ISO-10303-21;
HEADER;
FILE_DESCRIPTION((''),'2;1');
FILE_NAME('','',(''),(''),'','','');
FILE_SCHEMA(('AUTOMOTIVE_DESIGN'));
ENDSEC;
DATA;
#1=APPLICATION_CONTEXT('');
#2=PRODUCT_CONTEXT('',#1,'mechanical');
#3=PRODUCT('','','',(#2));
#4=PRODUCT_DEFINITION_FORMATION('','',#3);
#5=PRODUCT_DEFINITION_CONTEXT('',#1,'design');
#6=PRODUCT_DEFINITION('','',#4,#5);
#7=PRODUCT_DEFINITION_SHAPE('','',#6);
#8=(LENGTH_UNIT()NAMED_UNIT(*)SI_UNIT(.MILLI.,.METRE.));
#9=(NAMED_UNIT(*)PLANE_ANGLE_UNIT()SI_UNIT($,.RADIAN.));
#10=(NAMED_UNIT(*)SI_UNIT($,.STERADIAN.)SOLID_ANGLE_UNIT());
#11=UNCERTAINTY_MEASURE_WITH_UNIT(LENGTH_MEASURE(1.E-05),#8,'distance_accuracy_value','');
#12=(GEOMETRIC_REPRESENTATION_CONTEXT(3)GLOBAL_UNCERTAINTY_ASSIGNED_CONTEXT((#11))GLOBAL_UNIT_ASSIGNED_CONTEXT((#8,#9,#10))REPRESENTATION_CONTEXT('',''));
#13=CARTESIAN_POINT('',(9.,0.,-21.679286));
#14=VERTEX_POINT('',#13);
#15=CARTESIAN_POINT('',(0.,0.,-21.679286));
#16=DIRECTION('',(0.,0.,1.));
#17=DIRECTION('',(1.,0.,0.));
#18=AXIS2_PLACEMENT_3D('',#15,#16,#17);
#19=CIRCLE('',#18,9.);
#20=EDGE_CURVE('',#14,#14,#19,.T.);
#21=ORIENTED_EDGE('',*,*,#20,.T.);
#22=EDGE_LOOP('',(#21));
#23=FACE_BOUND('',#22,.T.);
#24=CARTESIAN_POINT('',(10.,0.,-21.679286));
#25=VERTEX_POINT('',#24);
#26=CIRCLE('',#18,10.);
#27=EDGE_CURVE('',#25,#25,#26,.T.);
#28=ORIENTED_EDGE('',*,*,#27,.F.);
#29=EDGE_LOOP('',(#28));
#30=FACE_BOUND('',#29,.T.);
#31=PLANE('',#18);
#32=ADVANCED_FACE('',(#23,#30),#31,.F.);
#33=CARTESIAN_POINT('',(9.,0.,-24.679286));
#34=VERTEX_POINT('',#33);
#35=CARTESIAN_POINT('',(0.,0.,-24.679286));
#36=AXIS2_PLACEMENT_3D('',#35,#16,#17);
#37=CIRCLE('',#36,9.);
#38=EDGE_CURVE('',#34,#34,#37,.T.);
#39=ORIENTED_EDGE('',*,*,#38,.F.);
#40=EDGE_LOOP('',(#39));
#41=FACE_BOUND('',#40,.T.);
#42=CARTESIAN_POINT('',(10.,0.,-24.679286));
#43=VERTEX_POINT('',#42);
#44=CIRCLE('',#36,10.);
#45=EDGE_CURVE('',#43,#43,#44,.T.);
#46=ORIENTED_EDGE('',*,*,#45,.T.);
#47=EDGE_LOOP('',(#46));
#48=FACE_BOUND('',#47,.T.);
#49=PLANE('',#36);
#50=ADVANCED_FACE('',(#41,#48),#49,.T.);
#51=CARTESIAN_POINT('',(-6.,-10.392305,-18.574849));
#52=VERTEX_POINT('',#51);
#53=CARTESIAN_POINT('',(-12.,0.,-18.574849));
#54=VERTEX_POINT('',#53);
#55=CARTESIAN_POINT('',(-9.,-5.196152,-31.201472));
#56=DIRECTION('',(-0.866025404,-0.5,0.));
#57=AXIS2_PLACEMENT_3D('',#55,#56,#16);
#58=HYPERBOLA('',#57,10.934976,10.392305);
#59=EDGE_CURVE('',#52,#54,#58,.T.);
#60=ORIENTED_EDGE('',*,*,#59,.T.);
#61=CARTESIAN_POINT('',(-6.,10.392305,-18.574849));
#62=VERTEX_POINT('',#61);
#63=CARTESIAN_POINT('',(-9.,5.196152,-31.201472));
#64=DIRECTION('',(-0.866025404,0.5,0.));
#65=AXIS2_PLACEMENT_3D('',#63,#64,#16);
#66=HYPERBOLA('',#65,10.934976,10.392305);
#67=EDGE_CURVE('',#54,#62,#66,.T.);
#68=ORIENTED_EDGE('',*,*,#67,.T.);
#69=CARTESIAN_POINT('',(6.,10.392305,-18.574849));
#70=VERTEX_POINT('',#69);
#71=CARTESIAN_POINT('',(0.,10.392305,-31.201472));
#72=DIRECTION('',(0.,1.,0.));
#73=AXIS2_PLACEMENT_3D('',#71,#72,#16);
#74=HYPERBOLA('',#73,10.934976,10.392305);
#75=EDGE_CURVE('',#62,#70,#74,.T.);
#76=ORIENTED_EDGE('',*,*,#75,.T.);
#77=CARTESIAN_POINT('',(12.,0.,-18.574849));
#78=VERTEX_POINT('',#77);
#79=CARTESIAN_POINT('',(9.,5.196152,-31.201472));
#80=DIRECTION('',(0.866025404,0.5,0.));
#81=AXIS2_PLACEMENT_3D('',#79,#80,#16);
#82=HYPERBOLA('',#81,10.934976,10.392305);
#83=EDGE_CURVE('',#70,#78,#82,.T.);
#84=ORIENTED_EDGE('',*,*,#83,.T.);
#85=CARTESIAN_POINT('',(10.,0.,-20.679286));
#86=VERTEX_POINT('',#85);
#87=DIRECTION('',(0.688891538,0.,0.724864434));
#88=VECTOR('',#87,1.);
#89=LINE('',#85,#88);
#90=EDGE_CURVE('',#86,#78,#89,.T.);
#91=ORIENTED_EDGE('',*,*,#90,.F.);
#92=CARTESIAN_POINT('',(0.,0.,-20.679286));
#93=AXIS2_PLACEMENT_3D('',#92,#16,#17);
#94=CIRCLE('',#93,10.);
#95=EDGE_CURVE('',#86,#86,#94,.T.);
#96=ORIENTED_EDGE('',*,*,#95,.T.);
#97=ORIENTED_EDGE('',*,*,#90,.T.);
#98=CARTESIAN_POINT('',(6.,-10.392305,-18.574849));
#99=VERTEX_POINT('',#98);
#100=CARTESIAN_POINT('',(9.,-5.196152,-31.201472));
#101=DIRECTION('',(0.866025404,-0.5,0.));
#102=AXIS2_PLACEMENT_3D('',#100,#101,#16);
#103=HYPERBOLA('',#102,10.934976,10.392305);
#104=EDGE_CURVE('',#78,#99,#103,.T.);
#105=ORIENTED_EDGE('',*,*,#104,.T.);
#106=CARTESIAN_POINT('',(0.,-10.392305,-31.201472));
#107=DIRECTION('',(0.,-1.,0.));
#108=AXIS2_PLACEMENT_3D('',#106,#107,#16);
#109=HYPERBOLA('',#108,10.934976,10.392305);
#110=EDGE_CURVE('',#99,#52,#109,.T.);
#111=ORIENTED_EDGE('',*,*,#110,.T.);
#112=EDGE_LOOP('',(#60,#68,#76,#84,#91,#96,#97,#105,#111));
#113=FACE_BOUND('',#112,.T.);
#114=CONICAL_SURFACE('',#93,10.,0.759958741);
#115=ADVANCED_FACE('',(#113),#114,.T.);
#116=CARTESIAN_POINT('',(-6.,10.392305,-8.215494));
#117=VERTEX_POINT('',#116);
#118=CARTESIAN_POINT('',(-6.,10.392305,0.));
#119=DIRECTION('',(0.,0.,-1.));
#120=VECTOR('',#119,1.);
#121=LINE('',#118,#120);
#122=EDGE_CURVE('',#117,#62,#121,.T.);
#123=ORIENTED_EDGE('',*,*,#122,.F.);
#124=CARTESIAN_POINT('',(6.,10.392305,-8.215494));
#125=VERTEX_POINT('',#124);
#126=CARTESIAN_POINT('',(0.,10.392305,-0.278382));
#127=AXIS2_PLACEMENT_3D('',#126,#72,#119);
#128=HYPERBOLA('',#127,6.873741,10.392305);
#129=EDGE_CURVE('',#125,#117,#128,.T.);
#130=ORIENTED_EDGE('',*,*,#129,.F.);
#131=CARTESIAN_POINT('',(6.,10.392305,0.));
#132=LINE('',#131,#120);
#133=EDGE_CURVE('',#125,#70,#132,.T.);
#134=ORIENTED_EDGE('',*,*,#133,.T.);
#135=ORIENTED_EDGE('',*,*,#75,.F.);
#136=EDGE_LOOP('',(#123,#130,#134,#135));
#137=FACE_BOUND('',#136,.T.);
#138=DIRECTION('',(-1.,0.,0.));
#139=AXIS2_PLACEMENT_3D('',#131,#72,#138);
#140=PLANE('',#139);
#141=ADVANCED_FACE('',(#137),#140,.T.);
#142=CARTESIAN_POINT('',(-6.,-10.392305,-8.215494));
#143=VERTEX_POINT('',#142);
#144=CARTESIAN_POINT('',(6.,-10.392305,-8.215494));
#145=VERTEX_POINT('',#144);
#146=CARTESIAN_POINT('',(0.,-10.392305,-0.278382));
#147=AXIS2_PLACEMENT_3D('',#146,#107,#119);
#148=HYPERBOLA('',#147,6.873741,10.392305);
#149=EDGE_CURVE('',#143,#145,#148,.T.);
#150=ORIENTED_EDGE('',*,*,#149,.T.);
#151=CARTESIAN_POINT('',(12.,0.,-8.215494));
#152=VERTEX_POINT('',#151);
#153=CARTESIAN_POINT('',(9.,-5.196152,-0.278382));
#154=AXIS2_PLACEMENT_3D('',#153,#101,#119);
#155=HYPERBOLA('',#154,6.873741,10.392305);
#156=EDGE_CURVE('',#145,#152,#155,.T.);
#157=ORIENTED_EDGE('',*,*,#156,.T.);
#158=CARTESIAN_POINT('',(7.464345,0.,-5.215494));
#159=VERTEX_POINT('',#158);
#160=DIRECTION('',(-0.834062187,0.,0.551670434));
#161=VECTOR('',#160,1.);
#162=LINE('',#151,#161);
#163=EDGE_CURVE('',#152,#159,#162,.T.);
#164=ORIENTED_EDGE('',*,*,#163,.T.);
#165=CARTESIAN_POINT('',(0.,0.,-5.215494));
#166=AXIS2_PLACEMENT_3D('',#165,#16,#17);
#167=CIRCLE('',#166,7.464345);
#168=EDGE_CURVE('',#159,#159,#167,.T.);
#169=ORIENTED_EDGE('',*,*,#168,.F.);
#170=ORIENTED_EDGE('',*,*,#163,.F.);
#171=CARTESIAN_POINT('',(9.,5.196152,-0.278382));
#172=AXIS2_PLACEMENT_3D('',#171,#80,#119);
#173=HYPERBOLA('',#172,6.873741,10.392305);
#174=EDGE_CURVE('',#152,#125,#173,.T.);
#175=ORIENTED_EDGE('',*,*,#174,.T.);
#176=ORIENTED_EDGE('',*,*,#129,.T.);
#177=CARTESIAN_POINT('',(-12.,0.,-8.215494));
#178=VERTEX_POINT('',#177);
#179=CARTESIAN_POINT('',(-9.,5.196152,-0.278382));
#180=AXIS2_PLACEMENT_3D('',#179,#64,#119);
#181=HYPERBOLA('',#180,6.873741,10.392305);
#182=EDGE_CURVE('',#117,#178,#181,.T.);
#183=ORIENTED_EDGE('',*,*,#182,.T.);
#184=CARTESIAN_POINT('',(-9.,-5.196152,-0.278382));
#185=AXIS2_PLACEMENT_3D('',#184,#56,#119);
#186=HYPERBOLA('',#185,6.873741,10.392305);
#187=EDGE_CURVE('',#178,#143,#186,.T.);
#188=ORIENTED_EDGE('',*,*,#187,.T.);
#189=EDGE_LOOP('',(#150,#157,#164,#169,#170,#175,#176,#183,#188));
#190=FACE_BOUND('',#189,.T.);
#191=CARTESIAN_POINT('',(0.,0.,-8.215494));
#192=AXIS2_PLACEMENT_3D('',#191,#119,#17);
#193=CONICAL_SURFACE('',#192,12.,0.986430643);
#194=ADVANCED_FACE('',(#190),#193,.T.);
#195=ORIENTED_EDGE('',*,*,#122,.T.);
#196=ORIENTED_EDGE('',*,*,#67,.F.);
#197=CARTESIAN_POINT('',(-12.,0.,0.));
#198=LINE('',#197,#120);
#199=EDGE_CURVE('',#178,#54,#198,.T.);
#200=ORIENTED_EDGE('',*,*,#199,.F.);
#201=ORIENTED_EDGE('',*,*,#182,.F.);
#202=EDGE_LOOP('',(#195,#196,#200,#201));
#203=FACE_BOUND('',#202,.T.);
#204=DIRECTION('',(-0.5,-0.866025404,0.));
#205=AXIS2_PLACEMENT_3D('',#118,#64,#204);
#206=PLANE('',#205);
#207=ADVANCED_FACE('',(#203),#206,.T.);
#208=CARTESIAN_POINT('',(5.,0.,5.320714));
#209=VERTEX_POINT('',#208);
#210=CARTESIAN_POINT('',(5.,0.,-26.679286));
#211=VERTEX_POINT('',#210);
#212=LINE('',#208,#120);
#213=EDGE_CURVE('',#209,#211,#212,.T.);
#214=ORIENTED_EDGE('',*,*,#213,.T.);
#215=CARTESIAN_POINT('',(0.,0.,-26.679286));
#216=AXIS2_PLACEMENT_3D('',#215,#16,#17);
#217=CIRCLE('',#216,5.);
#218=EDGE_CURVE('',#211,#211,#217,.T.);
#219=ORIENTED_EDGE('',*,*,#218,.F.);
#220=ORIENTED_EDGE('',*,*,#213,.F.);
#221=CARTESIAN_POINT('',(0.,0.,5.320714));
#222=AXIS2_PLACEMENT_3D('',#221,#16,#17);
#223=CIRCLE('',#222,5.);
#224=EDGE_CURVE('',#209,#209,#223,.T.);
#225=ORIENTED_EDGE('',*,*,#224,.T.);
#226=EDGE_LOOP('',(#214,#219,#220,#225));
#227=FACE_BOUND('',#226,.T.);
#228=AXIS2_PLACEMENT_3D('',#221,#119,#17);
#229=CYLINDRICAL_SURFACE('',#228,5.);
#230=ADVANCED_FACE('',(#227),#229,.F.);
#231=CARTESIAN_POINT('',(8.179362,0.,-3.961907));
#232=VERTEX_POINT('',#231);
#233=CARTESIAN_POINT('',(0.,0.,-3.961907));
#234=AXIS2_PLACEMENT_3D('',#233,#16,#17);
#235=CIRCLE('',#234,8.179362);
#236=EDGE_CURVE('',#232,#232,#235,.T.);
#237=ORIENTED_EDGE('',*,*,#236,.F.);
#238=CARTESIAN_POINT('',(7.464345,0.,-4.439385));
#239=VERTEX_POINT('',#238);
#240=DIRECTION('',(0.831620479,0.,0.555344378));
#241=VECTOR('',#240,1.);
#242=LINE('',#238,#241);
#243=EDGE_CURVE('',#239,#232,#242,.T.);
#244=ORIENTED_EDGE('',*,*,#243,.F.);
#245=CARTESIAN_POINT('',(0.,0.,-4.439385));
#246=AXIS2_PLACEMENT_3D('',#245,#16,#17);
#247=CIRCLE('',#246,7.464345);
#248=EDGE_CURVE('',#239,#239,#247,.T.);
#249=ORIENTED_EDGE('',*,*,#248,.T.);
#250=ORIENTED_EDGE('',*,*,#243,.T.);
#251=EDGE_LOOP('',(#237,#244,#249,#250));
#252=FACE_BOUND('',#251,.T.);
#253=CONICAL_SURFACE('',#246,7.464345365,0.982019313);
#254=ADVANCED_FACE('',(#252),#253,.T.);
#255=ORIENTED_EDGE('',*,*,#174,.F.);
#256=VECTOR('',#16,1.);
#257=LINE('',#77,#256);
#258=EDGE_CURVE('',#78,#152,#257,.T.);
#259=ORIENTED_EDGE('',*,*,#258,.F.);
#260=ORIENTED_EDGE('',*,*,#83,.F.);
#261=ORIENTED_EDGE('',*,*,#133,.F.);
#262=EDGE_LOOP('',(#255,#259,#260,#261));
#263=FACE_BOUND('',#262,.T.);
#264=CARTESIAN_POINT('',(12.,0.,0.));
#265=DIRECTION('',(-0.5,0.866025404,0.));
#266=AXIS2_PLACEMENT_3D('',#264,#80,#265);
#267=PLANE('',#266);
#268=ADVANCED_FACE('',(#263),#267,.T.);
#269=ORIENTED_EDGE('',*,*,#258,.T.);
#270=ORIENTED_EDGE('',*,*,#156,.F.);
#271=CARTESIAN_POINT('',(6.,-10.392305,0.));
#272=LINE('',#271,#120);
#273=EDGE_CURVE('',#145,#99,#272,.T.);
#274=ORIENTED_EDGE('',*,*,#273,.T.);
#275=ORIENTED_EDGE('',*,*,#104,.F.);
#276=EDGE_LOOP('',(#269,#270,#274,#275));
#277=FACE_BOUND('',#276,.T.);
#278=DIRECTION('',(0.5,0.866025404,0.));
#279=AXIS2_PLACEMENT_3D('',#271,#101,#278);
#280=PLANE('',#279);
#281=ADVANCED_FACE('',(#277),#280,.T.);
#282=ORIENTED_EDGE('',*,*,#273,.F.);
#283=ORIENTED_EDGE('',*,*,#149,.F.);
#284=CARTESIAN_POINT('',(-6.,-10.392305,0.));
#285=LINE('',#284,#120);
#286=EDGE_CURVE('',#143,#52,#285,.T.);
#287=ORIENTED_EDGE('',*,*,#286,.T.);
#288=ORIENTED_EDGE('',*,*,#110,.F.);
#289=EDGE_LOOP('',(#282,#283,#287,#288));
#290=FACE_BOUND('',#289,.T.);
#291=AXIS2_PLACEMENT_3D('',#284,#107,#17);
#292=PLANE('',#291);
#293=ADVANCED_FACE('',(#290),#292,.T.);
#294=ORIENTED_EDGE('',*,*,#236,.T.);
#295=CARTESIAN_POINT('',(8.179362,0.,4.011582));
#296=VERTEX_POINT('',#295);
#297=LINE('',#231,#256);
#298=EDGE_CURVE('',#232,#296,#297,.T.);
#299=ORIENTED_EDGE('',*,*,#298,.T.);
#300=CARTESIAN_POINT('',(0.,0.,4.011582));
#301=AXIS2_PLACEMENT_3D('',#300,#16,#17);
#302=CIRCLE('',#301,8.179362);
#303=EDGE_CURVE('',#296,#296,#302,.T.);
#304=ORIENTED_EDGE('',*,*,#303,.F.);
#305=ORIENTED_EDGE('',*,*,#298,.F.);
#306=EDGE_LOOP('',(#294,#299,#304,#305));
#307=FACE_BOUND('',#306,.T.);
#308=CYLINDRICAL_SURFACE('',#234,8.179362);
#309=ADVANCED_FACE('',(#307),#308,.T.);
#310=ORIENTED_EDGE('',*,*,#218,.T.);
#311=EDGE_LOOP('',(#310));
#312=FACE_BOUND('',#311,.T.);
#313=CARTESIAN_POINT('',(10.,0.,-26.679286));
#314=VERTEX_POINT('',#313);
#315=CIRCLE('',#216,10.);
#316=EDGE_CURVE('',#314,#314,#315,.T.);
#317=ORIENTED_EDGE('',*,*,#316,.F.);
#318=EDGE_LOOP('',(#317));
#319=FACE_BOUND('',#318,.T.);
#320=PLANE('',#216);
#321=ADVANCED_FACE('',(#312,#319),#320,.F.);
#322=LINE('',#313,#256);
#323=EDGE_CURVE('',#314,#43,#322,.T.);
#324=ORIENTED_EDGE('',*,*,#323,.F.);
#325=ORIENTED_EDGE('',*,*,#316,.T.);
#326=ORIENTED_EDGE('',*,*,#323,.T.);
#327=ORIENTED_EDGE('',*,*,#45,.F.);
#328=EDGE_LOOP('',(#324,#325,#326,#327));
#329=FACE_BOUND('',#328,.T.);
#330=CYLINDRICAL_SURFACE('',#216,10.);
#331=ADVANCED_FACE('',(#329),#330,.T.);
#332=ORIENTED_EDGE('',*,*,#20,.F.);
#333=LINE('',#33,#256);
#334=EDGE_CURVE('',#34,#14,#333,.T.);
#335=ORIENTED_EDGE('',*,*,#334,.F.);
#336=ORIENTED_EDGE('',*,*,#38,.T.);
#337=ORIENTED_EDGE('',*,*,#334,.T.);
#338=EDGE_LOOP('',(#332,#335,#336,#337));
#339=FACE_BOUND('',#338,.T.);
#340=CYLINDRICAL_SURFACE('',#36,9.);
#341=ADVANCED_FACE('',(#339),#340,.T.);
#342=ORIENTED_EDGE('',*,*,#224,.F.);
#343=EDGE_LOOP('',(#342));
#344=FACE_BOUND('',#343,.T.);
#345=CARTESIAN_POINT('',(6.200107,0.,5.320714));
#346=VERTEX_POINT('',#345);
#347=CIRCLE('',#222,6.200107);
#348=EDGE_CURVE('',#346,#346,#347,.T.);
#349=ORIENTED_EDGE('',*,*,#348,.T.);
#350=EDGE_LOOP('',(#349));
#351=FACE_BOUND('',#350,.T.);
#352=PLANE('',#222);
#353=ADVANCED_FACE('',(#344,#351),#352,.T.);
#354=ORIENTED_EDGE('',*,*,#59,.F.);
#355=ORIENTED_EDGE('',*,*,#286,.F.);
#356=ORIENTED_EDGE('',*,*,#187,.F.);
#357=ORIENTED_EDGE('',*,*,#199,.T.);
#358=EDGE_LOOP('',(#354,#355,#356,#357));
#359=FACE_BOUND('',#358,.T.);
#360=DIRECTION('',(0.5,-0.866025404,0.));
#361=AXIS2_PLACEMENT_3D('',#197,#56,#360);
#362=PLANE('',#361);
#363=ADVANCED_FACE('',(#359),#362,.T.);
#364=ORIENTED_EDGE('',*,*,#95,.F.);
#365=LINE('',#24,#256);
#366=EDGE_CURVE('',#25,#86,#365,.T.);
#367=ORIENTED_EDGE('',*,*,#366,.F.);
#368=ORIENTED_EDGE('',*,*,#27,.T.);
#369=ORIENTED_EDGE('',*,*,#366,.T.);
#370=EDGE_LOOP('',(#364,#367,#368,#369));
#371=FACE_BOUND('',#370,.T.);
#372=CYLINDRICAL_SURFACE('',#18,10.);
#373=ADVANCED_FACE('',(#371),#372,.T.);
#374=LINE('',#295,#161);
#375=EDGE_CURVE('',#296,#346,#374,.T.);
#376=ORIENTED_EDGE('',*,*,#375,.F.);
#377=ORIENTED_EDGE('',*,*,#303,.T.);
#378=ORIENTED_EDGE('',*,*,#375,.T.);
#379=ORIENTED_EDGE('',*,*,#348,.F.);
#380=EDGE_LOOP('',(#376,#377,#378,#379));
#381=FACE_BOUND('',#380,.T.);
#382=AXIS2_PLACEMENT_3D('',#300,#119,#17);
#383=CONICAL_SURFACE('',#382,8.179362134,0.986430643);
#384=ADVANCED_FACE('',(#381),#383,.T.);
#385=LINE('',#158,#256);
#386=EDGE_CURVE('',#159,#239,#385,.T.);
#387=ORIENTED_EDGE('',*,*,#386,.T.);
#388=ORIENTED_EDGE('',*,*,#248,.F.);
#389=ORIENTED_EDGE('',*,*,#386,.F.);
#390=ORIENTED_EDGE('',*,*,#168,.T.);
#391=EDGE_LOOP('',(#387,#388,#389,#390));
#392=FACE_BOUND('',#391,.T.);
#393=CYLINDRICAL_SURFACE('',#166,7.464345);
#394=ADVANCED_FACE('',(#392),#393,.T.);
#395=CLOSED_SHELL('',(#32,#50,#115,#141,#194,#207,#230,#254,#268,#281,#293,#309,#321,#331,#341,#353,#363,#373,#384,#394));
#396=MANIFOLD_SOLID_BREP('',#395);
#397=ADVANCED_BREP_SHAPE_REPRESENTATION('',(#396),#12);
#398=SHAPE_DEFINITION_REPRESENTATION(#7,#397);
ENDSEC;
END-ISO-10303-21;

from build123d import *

# Parameters (mm, degrees)
CROQUIS2_OUTSIDE_W    = 35.33
CROQUIS2_OUTSIDE_H    = 35.33
CORTAR_EXTRUIR2_DEPTH = 40


with BuildPart() as part:
    # Croquis1 → Revolución1 (revolve)
    with BuildSketch(Plane(origin=(0, 0, 0), x_dir=(1, 0, 0), z_dir=(0, 1, 0))):
        Polygon((5, 26.679286354), (10, 26.679286354), (10, 24.679286354), (9, 24.679286354), (9, 21.679286354), (10, 21.679286354), (10, 20.679286354), (12, 18.574849316), (12, 8.21549426), (7.464345365, 5.21549426), (7.464345365, 4.439385), (8.179362134, 3.961906928), (8.179362134, -4.011582493), (6.20010654, -5.320713646), (5, -5.320713646), align=None)
    revolve(axis=Axis((0, 0, -34.95637535), (0, 0, 1)))

    # Croquis2 outside → Cortar-Extruir2 (cut)
    with BuildSketch(Plane.XY):
        Rectangle(CROQUIS2_OUTSIDE_W, CROQUIS2_OUTSIDE_H)
        Polygon((12, 0), (6, 10.392304845), (-6, 10.392304845), (-12, 0), (-6, -10.392304845), (6, -10.392304845), align=None, mode=Mode.SUBTRACT)
    extrude(amount=-CORTAR_EXTRUIR2_DEPTH, mode=Mode.SUBTRACT)


solid = part.part
